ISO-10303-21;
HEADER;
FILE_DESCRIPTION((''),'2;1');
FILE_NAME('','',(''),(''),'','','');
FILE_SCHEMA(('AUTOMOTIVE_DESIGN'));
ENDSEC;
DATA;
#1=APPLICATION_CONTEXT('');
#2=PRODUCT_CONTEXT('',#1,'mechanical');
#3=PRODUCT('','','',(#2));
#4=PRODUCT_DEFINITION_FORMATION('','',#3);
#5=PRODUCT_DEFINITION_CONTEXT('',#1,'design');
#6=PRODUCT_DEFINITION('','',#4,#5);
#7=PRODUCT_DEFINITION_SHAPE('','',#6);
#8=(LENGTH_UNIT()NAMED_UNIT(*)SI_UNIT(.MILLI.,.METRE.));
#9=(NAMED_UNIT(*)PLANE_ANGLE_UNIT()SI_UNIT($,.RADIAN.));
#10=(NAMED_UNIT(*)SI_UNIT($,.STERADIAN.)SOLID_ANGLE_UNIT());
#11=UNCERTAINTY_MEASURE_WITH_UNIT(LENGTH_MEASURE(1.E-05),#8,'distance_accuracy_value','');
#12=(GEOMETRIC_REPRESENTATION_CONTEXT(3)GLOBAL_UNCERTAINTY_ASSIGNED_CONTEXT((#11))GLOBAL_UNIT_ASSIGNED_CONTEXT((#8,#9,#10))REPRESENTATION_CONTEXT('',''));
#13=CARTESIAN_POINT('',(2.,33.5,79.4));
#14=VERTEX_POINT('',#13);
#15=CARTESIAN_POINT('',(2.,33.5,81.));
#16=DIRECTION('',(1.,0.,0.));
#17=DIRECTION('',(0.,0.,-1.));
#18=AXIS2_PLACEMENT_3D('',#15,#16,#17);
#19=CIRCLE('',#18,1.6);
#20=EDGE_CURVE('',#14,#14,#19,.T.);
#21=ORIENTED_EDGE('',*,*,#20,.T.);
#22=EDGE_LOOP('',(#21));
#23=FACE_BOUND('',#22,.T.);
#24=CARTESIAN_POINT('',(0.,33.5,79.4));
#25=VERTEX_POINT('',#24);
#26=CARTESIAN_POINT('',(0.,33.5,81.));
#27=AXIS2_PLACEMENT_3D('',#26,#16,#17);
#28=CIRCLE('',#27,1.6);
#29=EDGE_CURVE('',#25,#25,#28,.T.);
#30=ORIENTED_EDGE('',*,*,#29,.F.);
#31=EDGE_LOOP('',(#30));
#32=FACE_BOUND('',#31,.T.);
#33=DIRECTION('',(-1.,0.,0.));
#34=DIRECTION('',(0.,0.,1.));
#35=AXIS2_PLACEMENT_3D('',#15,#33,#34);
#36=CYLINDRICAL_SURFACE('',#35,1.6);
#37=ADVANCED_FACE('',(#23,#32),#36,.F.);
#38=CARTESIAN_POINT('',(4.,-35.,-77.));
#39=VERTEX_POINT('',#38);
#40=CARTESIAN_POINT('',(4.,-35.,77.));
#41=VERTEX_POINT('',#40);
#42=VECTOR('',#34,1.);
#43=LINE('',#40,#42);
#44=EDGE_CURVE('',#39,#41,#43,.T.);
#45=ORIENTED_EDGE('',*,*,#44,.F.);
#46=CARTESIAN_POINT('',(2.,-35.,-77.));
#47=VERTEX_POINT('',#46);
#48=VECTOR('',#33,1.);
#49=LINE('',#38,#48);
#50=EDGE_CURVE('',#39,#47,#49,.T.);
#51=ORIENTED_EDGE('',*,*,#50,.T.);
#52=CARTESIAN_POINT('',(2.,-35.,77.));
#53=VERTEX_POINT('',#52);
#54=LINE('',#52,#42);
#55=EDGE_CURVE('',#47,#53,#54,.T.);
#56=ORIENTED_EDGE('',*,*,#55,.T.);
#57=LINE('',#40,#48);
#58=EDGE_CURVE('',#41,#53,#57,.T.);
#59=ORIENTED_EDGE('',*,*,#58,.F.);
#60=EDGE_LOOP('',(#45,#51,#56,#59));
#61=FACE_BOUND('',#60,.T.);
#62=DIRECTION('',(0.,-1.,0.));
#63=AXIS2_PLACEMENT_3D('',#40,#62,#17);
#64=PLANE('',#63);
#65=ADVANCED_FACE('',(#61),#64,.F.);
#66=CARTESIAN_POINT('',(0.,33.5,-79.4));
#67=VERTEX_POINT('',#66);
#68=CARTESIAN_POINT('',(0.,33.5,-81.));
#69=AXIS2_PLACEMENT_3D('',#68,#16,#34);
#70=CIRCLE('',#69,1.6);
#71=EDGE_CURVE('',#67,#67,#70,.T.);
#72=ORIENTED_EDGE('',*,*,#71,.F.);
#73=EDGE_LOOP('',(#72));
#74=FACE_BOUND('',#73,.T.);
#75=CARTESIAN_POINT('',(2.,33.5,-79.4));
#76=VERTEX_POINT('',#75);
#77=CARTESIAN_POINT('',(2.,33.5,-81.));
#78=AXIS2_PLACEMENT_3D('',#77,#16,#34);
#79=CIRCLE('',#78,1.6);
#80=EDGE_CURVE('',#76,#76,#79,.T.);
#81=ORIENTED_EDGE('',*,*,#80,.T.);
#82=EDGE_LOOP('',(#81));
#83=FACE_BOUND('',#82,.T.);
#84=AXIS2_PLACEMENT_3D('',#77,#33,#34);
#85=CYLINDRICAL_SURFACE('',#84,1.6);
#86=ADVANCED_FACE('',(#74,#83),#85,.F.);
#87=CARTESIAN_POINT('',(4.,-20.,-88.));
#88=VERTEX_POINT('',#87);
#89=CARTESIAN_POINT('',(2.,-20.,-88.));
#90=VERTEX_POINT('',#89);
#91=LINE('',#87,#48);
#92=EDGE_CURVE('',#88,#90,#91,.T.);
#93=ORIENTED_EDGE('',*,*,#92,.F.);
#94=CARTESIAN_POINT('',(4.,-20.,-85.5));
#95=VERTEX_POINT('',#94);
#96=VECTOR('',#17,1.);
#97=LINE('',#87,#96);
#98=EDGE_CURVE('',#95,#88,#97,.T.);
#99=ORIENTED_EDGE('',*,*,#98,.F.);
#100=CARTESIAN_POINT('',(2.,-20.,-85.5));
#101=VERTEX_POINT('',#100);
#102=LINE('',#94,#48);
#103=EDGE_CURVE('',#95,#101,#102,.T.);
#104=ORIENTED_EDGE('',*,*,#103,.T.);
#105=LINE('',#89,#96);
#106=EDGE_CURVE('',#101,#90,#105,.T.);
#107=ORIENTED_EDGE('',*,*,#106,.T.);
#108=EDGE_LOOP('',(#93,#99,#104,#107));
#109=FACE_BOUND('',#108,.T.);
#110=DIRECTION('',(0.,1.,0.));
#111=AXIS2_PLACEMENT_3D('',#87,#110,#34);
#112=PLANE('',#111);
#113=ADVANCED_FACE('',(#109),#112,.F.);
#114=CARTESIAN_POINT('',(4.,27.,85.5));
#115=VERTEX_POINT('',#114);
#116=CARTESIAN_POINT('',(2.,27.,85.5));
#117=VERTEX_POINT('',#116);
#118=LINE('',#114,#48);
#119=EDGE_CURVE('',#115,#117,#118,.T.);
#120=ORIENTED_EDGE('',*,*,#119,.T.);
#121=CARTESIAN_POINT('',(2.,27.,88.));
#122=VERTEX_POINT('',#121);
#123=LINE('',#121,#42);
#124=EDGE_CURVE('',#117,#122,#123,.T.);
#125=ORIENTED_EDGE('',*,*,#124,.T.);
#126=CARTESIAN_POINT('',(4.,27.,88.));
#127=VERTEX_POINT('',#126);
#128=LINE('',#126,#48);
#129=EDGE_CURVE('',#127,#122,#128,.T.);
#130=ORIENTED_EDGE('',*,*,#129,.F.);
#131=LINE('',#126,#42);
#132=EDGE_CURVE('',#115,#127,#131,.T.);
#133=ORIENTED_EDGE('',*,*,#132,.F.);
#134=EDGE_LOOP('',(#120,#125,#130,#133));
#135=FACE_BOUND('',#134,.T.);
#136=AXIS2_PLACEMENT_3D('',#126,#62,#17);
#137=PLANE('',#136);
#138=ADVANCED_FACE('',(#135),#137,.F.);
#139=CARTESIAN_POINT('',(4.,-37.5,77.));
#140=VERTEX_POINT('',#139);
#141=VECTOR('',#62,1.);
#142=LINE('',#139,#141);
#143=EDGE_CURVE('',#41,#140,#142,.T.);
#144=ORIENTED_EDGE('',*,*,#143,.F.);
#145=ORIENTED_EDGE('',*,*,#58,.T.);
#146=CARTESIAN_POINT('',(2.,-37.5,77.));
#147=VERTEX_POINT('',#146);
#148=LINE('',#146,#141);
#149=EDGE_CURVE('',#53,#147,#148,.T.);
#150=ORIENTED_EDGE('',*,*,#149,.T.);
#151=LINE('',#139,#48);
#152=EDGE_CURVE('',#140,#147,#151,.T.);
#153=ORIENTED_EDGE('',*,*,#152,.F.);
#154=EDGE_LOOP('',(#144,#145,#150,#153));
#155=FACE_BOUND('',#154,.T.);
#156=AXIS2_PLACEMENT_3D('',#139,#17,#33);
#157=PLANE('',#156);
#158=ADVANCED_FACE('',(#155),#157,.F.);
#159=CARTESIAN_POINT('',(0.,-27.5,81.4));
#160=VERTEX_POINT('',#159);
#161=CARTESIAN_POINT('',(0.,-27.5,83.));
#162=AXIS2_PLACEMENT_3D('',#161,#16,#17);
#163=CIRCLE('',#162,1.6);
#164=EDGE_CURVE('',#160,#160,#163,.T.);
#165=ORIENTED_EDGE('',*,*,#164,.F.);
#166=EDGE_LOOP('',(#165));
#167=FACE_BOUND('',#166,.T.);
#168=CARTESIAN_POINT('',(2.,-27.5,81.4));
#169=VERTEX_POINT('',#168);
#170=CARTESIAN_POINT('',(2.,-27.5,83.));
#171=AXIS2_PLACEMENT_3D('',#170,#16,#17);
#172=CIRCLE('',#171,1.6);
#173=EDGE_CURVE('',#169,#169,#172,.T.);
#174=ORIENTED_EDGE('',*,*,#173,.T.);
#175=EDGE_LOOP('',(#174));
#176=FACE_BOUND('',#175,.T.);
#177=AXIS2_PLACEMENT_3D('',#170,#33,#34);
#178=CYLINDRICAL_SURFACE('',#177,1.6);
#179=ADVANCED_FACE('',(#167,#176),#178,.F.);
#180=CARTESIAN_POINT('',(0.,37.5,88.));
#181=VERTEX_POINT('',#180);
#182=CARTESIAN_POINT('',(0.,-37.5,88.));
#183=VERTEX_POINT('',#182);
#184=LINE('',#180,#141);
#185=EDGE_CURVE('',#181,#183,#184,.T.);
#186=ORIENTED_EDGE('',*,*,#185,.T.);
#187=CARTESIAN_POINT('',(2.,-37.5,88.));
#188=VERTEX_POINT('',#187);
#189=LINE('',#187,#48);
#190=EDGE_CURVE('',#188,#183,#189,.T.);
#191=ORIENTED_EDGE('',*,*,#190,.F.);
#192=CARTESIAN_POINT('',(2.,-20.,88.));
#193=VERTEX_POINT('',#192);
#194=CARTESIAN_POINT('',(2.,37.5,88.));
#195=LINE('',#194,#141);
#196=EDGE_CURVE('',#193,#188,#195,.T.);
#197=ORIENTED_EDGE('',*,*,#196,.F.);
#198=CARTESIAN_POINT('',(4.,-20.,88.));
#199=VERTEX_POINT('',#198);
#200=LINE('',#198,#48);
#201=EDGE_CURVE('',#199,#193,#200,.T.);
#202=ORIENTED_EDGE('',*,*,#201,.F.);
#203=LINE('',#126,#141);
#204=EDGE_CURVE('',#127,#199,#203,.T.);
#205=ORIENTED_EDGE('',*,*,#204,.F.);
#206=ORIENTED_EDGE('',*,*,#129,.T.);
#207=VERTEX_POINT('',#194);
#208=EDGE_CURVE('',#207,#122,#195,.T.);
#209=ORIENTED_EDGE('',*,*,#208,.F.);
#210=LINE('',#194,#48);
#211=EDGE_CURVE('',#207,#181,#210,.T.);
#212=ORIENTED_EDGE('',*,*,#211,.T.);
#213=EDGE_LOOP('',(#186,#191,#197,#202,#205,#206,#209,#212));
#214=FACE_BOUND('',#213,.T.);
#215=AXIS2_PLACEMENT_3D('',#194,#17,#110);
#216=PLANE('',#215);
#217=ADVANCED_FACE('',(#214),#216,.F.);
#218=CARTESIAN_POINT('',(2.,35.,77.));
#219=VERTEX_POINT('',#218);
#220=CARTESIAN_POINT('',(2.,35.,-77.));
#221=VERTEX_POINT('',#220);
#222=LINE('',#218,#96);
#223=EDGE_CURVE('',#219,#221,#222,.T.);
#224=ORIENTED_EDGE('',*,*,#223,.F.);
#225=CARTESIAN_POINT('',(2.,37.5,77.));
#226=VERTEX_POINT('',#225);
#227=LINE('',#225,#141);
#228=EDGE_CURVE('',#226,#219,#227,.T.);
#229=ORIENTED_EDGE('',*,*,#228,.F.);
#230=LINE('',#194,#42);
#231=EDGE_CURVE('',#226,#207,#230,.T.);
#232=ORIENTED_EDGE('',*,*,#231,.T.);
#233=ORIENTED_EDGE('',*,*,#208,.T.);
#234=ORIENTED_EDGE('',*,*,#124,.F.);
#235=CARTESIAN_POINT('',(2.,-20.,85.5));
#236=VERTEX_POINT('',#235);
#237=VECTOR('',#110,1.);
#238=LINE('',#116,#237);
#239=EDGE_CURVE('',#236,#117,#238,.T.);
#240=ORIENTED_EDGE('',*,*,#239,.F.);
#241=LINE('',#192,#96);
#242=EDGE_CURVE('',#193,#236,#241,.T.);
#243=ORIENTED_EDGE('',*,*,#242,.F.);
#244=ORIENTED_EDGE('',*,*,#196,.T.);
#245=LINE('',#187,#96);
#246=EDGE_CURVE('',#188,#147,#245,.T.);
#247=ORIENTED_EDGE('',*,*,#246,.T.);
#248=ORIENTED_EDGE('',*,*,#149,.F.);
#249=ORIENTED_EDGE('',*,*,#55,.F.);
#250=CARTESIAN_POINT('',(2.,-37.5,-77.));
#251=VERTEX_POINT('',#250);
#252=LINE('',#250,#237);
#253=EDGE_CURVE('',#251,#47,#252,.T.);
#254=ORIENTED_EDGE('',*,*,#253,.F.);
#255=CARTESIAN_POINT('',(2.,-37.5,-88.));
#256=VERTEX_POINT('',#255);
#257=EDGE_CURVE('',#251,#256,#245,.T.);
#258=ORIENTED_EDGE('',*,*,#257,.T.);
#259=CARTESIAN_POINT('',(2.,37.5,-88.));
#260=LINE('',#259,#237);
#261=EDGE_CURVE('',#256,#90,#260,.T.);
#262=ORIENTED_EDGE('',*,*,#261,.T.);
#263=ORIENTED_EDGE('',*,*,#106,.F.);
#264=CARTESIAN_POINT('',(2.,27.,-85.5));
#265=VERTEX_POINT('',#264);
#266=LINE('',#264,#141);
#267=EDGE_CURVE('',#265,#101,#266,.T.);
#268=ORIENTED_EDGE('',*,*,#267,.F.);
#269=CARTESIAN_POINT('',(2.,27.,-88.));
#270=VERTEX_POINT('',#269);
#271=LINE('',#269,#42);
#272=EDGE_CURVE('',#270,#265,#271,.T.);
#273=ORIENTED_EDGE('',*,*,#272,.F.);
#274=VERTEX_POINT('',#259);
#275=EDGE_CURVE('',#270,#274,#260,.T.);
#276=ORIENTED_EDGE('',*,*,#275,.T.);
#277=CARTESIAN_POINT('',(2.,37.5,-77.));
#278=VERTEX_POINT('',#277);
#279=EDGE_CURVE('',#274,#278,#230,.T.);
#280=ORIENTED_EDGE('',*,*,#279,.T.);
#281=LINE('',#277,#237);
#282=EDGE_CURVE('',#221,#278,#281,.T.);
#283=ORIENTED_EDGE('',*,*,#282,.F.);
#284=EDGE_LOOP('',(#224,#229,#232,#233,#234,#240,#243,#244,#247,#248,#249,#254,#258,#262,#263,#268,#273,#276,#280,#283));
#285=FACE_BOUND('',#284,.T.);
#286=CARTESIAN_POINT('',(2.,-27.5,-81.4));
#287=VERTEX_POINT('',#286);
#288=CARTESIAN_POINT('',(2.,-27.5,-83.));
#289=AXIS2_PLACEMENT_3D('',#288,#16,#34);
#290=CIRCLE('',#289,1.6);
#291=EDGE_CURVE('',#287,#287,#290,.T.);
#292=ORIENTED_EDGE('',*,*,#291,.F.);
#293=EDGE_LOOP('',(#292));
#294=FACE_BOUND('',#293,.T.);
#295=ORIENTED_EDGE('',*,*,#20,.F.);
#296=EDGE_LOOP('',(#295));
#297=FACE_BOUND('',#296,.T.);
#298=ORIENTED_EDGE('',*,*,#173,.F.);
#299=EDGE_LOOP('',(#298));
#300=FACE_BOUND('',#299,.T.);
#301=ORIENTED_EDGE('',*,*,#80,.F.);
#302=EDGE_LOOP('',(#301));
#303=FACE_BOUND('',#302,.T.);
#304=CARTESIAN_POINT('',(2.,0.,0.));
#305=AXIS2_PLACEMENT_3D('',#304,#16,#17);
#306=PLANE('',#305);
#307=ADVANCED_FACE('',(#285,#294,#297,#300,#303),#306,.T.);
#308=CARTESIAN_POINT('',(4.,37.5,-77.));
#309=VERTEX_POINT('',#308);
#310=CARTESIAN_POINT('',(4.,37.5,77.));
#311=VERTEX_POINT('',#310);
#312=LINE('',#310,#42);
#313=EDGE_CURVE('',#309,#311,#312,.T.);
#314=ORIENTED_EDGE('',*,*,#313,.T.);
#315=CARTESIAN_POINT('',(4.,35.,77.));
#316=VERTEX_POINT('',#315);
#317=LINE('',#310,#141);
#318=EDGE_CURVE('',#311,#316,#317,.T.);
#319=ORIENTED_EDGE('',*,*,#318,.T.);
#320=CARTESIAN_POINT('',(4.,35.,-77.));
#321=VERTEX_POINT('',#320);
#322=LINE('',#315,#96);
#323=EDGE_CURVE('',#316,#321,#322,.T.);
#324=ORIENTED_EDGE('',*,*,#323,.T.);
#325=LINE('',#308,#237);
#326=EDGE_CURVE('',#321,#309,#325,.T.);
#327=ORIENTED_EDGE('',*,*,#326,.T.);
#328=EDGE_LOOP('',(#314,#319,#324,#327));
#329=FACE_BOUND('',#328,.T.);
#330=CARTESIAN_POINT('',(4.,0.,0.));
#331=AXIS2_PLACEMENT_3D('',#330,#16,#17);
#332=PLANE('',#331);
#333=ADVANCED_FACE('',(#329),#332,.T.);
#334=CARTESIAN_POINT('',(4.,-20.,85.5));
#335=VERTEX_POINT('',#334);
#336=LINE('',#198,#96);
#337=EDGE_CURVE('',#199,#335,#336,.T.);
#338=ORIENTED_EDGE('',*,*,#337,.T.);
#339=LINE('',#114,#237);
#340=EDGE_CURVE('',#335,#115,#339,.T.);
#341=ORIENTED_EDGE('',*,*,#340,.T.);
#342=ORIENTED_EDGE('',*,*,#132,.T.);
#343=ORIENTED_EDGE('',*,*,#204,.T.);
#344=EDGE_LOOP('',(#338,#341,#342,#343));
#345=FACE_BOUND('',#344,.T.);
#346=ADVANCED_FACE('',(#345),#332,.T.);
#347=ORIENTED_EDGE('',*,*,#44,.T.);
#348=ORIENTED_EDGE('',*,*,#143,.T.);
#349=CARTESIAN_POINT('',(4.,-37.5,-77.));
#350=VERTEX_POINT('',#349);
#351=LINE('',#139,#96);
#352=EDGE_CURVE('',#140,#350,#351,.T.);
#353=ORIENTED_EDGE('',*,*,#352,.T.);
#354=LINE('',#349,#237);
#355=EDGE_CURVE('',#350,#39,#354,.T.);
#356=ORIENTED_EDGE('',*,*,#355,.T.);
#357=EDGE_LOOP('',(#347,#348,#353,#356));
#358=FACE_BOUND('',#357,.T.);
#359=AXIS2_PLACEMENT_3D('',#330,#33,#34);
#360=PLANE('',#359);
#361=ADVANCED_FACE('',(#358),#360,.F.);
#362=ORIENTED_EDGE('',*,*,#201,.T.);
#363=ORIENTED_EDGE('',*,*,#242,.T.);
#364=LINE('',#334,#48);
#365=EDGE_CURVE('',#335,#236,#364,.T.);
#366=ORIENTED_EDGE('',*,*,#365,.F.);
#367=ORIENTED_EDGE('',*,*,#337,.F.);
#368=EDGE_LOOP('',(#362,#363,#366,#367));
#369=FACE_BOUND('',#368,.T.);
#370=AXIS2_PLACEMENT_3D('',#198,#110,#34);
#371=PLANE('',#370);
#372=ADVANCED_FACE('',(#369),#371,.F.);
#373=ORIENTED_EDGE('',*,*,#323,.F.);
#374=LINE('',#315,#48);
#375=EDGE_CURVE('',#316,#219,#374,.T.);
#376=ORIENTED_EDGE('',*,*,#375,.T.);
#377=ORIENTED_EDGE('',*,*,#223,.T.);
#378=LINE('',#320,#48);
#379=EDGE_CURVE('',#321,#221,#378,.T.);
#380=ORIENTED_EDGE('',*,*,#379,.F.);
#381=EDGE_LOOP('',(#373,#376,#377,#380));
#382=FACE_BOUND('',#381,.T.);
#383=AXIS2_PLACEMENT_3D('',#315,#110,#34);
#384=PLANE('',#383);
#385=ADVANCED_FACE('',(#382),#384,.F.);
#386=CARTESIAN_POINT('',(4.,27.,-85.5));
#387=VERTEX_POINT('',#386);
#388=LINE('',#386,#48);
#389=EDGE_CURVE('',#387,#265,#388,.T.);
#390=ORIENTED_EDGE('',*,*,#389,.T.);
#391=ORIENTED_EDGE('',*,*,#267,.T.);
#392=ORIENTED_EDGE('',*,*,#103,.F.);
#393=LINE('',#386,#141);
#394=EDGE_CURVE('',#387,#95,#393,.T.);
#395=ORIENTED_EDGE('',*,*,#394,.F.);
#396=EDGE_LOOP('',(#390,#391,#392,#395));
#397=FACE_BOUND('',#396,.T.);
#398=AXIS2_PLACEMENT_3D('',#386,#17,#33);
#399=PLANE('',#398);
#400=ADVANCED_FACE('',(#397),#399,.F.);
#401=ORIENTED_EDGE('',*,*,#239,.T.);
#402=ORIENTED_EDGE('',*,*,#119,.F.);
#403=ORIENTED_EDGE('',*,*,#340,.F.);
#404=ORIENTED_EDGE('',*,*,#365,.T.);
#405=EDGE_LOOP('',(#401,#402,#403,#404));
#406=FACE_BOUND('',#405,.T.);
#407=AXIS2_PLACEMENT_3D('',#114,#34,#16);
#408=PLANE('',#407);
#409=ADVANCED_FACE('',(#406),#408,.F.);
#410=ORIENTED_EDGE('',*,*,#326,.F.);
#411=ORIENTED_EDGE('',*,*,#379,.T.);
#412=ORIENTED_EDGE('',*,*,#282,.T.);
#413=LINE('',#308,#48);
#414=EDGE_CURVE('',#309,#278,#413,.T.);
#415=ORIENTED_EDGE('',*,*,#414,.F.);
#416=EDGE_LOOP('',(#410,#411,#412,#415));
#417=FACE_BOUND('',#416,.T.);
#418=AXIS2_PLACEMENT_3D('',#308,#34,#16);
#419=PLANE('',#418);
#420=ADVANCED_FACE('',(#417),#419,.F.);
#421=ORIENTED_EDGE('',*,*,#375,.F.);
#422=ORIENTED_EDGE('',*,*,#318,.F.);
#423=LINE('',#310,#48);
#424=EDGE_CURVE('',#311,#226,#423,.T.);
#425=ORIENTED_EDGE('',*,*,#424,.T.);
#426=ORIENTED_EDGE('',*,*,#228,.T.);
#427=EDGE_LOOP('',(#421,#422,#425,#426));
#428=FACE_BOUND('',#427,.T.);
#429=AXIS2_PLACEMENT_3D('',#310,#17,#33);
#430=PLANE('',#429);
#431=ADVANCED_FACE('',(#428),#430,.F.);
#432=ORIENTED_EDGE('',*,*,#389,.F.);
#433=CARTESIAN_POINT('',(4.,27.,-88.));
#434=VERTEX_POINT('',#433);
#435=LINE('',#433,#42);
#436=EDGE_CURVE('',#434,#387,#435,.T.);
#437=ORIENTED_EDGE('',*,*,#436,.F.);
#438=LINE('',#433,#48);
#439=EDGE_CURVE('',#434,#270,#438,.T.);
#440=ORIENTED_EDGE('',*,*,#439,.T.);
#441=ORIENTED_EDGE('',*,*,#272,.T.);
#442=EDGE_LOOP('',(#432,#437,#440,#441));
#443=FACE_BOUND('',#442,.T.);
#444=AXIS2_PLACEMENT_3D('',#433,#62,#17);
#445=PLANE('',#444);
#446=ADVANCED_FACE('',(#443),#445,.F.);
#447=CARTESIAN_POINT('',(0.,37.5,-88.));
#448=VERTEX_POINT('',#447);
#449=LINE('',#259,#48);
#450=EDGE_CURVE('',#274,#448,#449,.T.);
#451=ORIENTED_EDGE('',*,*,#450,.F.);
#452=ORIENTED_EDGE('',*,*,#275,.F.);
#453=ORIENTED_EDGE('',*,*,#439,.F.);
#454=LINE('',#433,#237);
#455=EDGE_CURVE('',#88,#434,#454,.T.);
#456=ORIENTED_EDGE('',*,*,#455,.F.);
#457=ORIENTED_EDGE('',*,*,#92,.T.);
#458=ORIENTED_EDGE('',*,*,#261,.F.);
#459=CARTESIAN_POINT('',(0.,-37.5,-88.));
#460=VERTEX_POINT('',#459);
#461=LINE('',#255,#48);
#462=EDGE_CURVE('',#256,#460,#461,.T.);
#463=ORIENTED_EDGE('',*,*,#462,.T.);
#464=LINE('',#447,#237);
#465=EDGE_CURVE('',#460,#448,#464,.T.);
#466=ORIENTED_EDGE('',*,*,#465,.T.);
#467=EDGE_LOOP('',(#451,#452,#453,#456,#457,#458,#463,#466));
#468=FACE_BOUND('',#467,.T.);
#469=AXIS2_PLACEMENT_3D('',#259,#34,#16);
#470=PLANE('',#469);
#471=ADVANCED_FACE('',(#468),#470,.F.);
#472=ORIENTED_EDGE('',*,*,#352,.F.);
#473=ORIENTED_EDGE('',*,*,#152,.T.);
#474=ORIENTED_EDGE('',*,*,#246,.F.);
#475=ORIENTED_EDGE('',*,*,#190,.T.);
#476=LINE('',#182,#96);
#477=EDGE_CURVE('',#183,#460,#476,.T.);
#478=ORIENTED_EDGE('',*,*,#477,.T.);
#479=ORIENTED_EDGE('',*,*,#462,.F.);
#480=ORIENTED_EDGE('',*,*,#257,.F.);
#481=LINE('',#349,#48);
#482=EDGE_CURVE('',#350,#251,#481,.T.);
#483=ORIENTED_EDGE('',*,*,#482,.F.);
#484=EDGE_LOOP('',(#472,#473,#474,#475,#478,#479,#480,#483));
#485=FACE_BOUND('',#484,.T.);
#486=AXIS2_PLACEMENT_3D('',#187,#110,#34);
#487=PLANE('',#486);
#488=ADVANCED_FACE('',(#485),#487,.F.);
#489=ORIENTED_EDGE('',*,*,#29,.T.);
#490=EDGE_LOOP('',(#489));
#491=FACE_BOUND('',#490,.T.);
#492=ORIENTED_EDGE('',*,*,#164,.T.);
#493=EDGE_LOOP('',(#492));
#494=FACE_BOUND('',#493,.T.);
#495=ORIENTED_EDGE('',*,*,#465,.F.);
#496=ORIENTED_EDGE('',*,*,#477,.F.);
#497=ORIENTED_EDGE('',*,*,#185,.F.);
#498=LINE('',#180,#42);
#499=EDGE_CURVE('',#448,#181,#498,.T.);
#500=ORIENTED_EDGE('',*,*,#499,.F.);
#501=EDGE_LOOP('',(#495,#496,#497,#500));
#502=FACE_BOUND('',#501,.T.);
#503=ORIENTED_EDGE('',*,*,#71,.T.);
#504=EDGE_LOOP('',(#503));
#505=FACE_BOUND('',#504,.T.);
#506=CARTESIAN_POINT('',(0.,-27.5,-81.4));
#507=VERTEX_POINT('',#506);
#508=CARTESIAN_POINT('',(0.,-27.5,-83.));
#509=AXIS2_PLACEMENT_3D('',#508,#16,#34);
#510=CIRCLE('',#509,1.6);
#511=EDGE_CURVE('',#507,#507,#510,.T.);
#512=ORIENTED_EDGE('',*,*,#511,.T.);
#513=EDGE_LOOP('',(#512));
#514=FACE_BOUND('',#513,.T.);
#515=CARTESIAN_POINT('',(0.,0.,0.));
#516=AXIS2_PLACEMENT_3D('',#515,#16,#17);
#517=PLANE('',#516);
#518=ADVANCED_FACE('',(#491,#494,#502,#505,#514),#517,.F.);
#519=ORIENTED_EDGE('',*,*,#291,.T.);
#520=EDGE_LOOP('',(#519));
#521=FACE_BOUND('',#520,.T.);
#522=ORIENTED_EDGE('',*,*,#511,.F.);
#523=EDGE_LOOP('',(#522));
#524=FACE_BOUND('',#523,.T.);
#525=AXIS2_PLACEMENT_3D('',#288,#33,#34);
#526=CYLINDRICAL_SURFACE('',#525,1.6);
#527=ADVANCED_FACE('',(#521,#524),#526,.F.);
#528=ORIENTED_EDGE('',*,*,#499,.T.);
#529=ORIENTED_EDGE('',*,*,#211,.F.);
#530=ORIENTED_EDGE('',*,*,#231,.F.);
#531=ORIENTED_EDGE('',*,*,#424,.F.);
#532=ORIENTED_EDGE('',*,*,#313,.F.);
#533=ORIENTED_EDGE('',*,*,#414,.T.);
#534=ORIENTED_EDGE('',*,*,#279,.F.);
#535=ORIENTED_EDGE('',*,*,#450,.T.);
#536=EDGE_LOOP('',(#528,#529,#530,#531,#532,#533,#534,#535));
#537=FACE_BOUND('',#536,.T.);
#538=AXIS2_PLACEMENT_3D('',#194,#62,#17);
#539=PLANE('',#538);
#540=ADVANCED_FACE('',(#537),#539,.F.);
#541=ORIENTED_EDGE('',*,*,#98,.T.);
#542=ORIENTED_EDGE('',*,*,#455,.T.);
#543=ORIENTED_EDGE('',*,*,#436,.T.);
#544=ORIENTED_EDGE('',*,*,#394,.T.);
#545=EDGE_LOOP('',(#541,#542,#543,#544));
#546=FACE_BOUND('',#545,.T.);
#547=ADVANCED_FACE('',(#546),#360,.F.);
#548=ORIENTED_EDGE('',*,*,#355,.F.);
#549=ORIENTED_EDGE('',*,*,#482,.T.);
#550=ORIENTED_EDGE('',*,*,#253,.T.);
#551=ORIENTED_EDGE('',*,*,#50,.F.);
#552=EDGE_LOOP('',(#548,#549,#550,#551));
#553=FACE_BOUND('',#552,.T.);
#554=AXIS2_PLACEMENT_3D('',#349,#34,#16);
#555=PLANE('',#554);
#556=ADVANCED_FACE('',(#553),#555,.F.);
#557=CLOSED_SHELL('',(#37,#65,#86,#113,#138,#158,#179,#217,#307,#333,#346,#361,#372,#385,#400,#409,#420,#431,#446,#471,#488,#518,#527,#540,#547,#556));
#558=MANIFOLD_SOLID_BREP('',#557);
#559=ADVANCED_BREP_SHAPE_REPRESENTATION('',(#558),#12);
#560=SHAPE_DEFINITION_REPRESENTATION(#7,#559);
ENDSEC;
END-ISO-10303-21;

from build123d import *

# Parameters (mm, degrees)
SKETCH1_W           = 176
SKETCH1_H           = 75
SKETCH1_R           = 1.6
BOSS_EXTRUDE1_DEPTH = 2
SKETCH3_W           = 154
SKETCH3_H           = 2.5
BOSS_EXTRUDE2_DEPTH = 2
SKETCH4_W           = 2.5
SKETCH4_H           = 47
BOSS_EXTRUDE3_DEPTH = 2


with BuildPart() as part:
    # Sketch1 → Boss-Extrude1 (new body)
    with BuildSketch(Plane(origin=(0, 0, 0), x_dir=(0, 0, -1), z_dir=(1, 0, 0))):
        Rectangle(SKETCH1_W, SKETCH1_H)
        with Locations((-81, 33.5)):
            Circle(SKETCH1_R, mode=Mode.SUBTRACT)
        with Locations((81, 33.5)):
            Circle(SKETCH1_R, mode=Mode.SUBTRACT)
        with Locations((-83, -27.5)):
            Circle(SKETCH1_R, mode=Mode.SUBTRACT)
        with Locations((83, -27.5)):
            Circle(SKETCH1_R, mode=Mode.SUBTRACT)
    extrude(amount=BOSS_EXTRUDE1_DEPTH)

    # Sketch3 → Boss-Extrude2 (add)
    with BuildSketch(Plane(origin=(2, 0, 0), x_dir=(0, 0, -1), z_dir=(1, 0, 0))):
        with Locations((0, -36.25)):
            Rectangle(SKETCH3_W, SKETCH3_H)
        with Locations((0, 36.25)):
            Rectangle(SKETCH3_W, SKETCH3_H)
    extrude(amount=BOSS_EXTRUDE2_DEPTH)

    # Sketch4 → Boss-Extrude3 (add)
    with BuildSketch(Plane(origin=(2, 0, 0), x_dir=(0, 0, -1), z_dir=(1, 0, 0))):
        with Locations((-86.75, 3.5)):
            Rectangle(SKETCH4_W, SKETCH4_H)
        with Locations((86.75, 3.5)):
            Rectangle(SKETCH4_W, SKETCH4_H)
    extrude(amount=BOSS_EXTRUDE3_DEPTH)


solid = part.part
